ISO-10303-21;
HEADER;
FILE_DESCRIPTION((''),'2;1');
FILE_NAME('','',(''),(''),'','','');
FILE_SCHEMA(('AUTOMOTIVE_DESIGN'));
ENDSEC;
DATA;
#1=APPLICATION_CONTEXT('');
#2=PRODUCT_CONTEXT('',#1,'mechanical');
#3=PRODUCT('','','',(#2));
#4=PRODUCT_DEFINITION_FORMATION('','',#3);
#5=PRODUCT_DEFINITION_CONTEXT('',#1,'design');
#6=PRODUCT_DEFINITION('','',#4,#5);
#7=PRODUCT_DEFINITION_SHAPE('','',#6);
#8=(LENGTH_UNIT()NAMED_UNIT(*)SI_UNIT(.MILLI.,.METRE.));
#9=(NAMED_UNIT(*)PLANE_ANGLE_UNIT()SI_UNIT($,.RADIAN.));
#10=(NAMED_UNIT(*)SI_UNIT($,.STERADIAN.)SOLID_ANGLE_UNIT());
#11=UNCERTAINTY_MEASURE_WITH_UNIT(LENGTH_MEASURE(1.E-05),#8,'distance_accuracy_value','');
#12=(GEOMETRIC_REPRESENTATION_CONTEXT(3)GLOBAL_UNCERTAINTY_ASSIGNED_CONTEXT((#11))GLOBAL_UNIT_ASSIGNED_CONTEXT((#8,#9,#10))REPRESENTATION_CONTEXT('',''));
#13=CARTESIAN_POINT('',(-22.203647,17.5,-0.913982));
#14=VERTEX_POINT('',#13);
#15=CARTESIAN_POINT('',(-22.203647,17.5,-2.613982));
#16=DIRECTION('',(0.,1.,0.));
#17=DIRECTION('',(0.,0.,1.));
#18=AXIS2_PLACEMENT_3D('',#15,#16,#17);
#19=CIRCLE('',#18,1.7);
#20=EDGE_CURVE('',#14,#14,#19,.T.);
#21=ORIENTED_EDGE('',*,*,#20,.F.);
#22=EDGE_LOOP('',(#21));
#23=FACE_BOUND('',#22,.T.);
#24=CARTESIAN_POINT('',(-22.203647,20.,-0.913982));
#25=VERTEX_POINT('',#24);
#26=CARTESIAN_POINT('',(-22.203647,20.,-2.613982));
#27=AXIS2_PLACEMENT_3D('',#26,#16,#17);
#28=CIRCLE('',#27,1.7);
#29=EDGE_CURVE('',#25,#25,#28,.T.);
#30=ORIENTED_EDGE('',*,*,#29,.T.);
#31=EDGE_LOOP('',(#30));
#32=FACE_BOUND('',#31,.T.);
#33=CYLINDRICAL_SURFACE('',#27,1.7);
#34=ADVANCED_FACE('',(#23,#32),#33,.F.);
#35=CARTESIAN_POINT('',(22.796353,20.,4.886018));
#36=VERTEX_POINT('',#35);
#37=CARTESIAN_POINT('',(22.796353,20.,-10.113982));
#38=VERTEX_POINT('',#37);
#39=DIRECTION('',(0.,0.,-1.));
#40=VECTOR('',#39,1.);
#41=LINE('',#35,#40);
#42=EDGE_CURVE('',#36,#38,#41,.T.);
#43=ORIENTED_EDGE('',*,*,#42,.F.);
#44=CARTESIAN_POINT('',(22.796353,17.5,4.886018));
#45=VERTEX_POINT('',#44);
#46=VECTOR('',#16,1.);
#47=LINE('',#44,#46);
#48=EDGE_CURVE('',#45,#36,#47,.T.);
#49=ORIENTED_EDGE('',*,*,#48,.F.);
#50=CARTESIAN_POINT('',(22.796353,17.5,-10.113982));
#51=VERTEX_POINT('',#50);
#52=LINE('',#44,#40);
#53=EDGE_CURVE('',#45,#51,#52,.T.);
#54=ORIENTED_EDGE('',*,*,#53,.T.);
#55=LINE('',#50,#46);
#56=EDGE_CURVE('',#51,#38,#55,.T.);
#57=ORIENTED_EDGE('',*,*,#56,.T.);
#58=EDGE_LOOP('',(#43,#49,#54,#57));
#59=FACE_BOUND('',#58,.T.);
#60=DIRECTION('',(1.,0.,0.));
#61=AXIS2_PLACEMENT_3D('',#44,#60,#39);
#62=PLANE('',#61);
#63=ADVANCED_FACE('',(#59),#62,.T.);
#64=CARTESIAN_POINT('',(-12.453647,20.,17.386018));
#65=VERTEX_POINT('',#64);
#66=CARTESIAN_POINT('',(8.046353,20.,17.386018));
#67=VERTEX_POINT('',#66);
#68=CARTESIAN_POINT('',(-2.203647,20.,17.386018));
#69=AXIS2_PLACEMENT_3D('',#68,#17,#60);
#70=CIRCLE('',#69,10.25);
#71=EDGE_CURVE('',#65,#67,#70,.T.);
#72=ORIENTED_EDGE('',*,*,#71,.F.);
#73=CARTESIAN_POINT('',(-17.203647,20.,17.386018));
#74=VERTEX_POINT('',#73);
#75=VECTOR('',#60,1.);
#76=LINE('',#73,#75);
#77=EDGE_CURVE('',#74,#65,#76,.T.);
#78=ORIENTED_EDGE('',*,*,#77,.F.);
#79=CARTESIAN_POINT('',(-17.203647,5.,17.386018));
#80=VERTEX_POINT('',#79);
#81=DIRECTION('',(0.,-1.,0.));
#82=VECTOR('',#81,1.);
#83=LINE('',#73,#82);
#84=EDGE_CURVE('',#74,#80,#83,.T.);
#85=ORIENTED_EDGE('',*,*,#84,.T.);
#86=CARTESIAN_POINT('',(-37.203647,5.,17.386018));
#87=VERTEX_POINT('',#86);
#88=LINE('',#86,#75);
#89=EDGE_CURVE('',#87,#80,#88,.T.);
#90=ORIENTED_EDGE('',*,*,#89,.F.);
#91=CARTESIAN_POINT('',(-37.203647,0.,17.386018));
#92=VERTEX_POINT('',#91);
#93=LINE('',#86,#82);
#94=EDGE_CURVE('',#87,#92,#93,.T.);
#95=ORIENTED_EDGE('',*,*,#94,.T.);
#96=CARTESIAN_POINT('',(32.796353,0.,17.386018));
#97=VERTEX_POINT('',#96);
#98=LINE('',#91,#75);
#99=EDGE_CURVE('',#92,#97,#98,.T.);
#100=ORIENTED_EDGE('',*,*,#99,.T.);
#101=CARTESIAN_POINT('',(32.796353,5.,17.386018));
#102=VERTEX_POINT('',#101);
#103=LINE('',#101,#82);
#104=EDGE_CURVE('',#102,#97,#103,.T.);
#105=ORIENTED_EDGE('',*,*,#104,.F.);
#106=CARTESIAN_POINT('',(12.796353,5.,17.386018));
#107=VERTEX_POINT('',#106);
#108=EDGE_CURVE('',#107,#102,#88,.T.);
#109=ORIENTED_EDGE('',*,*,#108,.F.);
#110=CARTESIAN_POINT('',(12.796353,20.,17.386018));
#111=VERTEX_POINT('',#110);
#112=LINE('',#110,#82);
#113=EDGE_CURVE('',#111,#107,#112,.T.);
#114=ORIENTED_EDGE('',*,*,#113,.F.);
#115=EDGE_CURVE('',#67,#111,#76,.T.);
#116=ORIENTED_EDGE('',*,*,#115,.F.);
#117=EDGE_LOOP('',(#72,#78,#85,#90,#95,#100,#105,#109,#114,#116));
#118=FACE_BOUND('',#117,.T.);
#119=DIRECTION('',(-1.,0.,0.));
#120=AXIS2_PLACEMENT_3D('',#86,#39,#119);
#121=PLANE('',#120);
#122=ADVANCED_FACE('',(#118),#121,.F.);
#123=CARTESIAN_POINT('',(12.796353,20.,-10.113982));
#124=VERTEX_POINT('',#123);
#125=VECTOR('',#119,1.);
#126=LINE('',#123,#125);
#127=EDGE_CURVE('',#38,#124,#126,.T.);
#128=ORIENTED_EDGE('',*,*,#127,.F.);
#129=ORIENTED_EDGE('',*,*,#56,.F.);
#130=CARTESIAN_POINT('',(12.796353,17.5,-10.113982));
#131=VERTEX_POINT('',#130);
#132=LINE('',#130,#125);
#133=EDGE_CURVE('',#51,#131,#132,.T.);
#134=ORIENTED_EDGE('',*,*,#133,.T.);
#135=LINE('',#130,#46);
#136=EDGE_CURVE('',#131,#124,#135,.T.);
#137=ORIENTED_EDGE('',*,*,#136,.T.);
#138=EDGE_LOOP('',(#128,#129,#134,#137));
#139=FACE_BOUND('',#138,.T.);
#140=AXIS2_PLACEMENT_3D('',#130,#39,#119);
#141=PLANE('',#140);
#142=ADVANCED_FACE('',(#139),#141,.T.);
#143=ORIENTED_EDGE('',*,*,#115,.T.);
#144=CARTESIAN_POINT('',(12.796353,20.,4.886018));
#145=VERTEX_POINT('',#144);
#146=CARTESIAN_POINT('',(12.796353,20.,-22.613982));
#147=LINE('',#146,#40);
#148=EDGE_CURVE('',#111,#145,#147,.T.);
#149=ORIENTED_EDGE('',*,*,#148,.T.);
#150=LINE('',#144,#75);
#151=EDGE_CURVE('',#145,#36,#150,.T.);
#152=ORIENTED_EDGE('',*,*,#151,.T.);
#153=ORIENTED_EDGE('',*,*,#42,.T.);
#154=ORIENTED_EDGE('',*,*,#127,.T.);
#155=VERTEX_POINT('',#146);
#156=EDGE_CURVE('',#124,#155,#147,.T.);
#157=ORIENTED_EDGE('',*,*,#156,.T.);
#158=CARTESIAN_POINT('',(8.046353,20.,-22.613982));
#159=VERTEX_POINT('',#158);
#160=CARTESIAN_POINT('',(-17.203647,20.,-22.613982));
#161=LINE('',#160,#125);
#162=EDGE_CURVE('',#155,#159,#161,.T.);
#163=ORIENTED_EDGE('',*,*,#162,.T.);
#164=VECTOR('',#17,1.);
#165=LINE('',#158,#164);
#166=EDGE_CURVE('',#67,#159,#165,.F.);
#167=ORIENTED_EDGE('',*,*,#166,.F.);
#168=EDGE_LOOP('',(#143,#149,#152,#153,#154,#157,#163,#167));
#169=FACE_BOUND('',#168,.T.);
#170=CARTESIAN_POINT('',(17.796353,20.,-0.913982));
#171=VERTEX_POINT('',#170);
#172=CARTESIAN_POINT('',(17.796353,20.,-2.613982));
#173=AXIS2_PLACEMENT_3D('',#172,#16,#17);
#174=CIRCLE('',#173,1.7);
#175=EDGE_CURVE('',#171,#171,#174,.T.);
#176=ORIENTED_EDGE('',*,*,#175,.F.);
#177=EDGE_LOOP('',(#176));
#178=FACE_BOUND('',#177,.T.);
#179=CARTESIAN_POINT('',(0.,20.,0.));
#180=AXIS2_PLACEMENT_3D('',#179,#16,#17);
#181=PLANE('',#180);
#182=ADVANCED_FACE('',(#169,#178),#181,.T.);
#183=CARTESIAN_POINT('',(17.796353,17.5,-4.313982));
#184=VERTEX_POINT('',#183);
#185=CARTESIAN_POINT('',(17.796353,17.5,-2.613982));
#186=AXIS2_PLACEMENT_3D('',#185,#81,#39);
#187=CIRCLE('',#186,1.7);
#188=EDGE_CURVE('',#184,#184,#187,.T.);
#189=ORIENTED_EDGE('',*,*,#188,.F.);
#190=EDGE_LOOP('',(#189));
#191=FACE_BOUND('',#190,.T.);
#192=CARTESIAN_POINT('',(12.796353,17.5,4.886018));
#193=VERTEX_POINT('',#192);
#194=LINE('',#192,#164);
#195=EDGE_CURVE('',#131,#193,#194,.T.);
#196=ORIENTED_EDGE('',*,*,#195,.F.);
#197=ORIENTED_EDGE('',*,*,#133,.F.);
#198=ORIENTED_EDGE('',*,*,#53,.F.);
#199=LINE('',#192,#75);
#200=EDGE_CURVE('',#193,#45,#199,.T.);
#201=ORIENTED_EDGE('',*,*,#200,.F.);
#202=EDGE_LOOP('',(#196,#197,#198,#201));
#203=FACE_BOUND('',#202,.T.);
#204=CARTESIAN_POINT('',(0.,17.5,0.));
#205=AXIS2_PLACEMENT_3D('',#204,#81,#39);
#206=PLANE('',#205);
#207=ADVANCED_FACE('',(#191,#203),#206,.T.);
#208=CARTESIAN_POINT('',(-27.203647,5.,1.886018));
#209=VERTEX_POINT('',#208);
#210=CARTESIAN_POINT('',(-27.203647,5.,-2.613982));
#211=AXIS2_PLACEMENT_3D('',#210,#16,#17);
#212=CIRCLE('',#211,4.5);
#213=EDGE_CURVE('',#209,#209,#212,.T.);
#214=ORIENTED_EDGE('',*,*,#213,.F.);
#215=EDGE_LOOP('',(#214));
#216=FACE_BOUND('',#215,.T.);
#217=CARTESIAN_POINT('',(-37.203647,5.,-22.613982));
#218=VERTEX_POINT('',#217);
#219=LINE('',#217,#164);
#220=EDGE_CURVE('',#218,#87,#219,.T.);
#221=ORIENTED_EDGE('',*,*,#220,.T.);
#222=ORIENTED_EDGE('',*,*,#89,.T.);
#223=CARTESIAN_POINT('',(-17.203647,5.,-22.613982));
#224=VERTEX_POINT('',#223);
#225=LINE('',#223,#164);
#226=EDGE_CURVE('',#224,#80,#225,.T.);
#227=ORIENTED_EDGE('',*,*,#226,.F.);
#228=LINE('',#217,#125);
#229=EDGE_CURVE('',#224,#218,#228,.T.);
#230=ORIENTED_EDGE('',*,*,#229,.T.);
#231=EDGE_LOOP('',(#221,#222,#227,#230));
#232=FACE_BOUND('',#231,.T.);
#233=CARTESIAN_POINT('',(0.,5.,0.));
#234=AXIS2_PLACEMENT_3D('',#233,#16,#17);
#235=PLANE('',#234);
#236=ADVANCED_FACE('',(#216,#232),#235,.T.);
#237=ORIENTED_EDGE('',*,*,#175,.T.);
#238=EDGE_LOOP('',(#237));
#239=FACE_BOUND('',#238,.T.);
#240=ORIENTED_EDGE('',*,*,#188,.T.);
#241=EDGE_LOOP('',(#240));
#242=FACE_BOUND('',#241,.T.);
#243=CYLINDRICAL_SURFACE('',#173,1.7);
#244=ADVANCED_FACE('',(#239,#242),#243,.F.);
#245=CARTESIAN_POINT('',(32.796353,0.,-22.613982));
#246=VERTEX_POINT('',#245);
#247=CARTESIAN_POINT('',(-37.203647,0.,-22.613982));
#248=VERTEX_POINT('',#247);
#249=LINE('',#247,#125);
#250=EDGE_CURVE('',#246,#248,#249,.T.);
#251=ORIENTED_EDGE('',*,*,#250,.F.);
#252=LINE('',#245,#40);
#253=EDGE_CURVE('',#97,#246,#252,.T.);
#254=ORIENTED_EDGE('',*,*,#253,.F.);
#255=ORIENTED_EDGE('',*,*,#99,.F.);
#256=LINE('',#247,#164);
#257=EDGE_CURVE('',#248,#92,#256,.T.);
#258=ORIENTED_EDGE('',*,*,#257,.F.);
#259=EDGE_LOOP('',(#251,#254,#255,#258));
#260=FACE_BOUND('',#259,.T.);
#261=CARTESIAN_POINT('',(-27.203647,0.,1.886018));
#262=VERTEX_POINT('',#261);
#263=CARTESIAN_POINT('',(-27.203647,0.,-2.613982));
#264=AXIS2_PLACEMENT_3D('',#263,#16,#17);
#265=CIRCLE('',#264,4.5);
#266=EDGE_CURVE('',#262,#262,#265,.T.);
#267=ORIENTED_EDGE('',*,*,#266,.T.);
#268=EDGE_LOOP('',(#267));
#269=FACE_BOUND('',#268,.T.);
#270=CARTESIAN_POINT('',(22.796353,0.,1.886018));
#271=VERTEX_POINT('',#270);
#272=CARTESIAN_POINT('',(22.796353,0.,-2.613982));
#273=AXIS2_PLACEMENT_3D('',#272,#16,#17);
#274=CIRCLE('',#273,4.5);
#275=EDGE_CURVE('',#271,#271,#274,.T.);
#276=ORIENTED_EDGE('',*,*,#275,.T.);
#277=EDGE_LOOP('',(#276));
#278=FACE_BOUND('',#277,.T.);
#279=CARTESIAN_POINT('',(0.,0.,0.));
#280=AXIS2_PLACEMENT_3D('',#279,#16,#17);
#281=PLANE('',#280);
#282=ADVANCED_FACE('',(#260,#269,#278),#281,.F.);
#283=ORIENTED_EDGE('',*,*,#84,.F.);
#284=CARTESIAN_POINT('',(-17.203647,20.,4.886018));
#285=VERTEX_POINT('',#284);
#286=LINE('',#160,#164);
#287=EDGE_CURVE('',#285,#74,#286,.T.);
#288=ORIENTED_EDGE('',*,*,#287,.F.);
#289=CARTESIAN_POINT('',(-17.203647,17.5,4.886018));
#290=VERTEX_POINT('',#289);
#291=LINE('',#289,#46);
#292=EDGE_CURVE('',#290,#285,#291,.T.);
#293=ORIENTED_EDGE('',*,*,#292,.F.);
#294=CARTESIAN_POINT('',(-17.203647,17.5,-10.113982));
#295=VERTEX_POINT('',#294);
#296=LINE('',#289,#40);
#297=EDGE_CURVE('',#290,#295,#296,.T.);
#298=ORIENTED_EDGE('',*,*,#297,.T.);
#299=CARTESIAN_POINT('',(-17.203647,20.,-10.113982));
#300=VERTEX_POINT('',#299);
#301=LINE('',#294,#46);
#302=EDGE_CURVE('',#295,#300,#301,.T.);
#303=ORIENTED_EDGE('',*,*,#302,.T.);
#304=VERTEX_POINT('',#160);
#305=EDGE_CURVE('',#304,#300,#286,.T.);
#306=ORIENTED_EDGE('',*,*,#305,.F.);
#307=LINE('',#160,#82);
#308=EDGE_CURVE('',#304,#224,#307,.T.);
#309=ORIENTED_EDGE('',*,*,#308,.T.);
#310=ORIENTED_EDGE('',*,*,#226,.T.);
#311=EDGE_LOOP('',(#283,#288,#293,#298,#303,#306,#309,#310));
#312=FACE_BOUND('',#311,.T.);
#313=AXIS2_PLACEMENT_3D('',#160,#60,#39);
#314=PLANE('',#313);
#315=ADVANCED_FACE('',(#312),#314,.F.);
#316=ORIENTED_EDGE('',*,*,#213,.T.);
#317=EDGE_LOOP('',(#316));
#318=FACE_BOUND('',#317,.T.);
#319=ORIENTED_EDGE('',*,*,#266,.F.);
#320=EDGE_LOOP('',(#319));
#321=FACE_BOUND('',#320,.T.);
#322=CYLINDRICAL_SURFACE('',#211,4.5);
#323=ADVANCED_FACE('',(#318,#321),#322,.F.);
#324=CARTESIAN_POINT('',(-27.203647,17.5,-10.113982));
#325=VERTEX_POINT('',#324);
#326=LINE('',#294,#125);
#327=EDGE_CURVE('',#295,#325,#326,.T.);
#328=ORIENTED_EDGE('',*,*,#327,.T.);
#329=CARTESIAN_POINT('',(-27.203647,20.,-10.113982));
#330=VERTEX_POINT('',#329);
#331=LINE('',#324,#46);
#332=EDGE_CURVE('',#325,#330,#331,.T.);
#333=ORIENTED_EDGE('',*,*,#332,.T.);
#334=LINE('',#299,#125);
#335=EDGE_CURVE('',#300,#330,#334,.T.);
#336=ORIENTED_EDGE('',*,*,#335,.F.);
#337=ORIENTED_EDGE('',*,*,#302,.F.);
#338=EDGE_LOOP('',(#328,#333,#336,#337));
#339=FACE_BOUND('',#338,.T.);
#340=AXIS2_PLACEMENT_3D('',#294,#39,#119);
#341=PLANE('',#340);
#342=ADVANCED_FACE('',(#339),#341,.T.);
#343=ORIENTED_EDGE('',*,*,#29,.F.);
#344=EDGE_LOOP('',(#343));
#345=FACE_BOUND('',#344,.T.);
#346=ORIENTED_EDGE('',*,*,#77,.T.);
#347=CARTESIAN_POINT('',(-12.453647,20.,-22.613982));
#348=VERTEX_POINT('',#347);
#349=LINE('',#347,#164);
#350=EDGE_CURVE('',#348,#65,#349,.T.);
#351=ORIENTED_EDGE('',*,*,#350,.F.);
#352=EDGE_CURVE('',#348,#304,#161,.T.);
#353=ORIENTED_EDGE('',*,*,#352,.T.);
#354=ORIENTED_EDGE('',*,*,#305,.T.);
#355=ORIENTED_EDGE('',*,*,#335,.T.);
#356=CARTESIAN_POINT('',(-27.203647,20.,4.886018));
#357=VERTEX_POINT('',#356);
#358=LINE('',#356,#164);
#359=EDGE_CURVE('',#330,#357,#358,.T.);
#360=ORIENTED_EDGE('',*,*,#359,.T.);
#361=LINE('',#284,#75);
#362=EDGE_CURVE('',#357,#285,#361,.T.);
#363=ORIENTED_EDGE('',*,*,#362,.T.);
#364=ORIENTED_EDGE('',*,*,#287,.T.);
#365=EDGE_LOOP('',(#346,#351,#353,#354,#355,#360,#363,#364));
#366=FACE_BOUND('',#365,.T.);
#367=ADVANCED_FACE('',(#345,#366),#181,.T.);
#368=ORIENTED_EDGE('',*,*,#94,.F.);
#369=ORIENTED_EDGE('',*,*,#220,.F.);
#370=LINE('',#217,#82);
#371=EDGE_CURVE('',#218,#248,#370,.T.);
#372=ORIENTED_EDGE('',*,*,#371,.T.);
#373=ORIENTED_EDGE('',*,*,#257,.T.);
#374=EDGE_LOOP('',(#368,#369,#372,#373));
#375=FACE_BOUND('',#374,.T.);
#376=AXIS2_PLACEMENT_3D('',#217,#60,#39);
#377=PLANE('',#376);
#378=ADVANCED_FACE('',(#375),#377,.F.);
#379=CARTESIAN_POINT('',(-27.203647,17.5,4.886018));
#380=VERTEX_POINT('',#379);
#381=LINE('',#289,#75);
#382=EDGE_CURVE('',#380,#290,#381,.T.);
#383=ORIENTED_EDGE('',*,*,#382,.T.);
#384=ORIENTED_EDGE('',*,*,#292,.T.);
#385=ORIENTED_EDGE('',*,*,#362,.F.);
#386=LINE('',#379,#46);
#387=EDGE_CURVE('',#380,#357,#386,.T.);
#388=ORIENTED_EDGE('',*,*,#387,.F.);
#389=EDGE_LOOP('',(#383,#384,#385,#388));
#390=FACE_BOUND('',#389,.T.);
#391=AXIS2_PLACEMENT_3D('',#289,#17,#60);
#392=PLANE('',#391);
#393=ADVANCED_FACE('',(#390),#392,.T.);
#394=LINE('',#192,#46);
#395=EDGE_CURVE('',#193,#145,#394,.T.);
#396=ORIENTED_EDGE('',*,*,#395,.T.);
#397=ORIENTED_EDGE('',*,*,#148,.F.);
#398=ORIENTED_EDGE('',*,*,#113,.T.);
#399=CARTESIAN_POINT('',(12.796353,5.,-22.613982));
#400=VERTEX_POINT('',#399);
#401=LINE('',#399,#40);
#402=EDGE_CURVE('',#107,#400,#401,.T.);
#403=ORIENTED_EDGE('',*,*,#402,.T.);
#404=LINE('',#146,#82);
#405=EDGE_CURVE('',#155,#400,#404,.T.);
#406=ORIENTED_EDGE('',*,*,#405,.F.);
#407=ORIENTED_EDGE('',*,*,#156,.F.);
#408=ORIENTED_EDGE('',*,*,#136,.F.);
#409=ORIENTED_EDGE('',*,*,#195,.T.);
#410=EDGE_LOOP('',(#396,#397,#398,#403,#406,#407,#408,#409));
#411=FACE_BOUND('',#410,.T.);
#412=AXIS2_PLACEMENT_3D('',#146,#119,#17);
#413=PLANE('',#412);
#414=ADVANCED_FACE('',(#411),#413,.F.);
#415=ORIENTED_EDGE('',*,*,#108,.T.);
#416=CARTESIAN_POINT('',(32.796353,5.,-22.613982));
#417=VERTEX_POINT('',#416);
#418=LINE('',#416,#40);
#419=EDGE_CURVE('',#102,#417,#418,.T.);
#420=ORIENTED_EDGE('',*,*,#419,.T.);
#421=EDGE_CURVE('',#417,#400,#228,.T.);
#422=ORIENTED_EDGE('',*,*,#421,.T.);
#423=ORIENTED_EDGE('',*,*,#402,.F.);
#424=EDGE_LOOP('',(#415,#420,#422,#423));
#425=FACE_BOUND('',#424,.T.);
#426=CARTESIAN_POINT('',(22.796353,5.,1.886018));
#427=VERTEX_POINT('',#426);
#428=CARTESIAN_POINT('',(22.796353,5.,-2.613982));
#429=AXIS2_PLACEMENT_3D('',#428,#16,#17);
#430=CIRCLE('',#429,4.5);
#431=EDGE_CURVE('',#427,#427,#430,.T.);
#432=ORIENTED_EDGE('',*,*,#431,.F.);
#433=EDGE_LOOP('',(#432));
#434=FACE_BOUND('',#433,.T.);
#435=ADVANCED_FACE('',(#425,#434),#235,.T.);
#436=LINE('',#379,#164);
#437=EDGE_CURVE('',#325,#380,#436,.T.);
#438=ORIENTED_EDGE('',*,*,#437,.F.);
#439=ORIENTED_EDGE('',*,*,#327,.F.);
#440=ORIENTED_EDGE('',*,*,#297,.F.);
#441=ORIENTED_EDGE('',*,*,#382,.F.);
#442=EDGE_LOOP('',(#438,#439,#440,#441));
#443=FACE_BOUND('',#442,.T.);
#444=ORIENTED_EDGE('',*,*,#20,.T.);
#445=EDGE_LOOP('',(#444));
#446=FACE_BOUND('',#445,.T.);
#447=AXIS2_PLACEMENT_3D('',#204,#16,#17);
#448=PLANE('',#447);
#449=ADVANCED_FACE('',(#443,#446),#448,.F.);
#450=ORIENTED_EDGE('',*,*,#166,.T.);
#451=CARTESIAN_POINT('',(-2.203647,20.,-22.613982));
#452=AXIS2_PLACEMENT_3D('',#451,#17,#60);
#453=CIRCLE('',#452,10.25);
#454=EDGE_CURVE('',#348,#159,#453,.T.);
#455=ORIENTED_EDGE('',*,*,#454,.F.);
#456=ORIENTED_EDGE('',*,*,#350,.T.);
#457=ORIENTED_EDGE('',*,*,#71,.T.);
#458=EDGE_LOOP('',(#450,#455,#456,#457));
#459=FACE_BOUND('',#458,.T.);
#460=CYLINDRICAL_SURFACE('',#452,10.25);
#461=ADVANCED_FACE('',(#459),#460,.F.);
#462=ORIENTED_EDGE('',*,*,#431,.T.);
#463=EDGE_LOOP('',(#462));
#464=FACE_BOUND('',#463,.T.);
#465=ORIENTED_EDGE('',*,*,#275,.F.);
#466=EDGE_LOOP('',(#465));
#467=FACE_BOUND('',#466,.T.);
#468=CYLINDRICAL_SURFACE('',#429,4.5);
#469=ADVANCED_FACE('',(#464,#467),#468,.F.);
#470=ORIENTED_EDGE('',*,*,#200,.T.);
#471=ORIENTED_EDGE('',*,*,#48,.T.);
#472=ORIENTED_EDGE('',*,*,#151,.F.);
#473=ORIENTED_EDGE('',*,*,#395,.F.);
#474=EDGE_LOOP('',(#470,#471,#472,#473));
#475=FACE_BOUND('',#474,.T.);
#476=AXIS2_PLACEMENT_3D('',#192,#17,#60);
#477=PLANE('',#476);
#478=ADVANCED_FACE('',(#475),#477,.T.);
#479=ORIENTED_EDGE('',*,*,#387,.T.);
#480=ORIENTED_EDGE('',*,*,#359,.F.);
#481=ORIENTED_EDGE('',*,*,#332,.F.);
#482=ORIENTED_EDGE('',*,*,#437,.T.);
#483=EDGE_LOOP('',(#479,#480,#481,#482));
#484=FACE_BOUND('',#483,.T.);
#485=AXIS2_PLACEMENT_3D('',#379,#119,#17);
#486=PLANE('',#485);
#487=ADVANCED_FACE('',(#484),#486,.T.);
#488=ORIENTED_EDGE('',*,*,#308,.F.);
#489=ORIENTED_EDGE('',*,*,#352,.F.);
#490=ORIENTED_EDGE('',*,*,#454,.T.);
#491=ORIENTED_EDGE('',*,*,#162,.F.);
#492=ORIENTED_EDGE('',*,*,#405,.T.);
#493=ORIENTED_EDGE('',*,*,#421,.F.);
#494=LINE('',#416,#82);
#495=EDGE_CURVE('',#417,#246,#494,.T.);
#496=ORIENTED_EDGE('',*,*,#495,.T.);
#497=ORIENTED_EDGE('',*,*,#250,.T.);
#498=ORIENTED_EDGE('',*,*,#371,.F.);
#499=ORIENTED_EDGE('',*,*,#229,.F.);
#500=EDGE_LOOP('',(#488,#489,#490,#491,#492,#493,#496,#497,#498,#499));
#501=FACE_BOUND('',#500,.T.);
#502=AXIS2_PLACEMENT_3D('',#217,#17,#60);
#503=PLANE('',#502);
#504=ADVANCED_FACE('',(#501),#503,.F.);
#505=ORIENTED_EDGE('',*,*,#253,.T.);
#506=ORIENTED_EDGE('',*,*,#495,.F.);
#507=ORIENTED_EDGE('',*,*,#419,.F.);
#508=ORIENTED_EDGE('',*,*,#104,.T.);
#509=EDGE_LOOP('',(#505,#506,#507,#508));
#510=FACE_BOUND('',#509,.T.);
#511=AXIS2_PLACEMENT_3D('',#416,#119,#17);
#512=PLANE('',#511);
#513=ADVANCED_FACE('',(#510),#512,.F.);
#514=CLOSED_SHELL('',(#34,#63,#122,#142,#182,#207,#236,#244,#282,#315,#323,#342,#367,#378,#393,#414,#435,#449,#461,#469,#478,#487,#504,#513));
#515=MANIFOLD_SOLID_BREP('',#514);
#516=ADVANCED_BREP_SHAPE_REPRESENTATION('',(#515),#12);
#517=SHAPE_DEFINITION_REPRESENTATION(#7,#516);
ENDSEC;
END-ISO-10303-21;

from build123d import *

# Parameters (mm, degrees)
SKETCH1_W                = 70
SKETCH1_H                = 40
BOSS_EXTRUDE1_DEPTH      = 5
SKETCH2_W                = 30
SKETCH2_H                = 40
BOSS_EXTRUDE2_DEPTH      = 15
SKETCH3_R                = 10.25
CUT_EXTRUDE1_DEPTH       = 41
SKETCH5_W                = 10
SKETCH5_H                = 15
BOSS_EXTRUDE3_DEPTH      = 2.5
SKETCH6_W                = 10
SKETCH6_H                = 15
BOSS_EXTRUDE4_DEPTH      = 2.5
M3_CLEARANCE_HOLE1_D     = 3.4
M3_CLEARANCE_HOLE1_DEPTH = 2.5
M8_CLEARANCE_HOLE1_D     = 9
M8_CLEARANCE_HOLE1_DEPTH = 5


with BuildPart() as part:
    # Sketch1 → Boss-Extrude1 (new body)
    with BuildSketch(Plane(origin=(0, 0, 0), x_dir=(1, 0, 0), z_dir=(0, 1, 0))):
        with Locations((-2.203647416, 2.613981763)):
            Rectangle(SKETCH1_W, SKETCH1_H)
    extrude(amount=BOSS_EXTRUDE1_DEPTH)

    # Sketch2 → Boss-Extrude2 (add)
    with BuildSketch(Plane(origin=(0, 5, 0), x_dir=(1, 0, 0), z_dir=(0, 1, 0))):
        with Locations((-2.203647416, 2.613981763)):
            Rectangle(SKETCH2_W, SKETCH2_H)
    extrude(amount=BOSS_EXTRUDE2_DEPTH)

    # Sketch3 → Cut-Extrude1 (cut, through all)
    with BuildSketch(Plane.XY.offset(17.386018237)):
        with Locations((-2.203647416, 20)):
            Circle(SKETCH3_R)
    extrude(amount=-CUT_EXTRUDE1_DEPTH, mode=Mode.SUBTRACT)

    # Sketch5 → Boss-Extrude3 (add)
    with BuildSketch(Plane(origin=(0, 20, 0), x_dir=(1, 0, 0), z_dir=(0, 1, 0))):
        with Locations((-22.203647416, 2.613981763)):
            Rectangle(SKETCH5_W, SKETCH5_H)
    extrude(amount=-BOSS_EXTRUDE3_DEPTH)

    # Sketch6 → Boss-Extrude4 (add)
    with BuildSketch(Plane(origin=(0, 20, 0), x_dir=(1, 0, 0), z_dir=(0, 1, 0))):
        with Locations((17.796352584, 2.613981763)):
            Rectangle(SKETCH6_W, SKETCH6_H)
    extrude(amount=-BOSS_EXTRUDE4_DEPTH)

    # M3 Clearance Hole1
    with Locations(Plane(origin=(0, 20, 0), x_dir=(1, 0, 0), z_dir=(0, 1, 0))):
        with Locations((17.796352584, 2.613981763), (-22.203647416, 2.613981763)):
            Hole(M3_CLEARANCE_HOLE1_D / 2, depth=M3_CLEARANCE_HOLE1_DEPTH)

    # M8 Clearance Hole1
    with Locations(Plane(origin=(0, 5, 0), x_dir=(1, 0, 0), z_dir=(0, 1, 0))):
        with Locations((22.796352584, 2.613981763), (-27.203647416, 2.613981763)):
            Hole(M8_CLEARANCE_HOLE1_D / 2, depth=M8_CLEARANCE_HOLE1_DEPTH)


solid = part.part
